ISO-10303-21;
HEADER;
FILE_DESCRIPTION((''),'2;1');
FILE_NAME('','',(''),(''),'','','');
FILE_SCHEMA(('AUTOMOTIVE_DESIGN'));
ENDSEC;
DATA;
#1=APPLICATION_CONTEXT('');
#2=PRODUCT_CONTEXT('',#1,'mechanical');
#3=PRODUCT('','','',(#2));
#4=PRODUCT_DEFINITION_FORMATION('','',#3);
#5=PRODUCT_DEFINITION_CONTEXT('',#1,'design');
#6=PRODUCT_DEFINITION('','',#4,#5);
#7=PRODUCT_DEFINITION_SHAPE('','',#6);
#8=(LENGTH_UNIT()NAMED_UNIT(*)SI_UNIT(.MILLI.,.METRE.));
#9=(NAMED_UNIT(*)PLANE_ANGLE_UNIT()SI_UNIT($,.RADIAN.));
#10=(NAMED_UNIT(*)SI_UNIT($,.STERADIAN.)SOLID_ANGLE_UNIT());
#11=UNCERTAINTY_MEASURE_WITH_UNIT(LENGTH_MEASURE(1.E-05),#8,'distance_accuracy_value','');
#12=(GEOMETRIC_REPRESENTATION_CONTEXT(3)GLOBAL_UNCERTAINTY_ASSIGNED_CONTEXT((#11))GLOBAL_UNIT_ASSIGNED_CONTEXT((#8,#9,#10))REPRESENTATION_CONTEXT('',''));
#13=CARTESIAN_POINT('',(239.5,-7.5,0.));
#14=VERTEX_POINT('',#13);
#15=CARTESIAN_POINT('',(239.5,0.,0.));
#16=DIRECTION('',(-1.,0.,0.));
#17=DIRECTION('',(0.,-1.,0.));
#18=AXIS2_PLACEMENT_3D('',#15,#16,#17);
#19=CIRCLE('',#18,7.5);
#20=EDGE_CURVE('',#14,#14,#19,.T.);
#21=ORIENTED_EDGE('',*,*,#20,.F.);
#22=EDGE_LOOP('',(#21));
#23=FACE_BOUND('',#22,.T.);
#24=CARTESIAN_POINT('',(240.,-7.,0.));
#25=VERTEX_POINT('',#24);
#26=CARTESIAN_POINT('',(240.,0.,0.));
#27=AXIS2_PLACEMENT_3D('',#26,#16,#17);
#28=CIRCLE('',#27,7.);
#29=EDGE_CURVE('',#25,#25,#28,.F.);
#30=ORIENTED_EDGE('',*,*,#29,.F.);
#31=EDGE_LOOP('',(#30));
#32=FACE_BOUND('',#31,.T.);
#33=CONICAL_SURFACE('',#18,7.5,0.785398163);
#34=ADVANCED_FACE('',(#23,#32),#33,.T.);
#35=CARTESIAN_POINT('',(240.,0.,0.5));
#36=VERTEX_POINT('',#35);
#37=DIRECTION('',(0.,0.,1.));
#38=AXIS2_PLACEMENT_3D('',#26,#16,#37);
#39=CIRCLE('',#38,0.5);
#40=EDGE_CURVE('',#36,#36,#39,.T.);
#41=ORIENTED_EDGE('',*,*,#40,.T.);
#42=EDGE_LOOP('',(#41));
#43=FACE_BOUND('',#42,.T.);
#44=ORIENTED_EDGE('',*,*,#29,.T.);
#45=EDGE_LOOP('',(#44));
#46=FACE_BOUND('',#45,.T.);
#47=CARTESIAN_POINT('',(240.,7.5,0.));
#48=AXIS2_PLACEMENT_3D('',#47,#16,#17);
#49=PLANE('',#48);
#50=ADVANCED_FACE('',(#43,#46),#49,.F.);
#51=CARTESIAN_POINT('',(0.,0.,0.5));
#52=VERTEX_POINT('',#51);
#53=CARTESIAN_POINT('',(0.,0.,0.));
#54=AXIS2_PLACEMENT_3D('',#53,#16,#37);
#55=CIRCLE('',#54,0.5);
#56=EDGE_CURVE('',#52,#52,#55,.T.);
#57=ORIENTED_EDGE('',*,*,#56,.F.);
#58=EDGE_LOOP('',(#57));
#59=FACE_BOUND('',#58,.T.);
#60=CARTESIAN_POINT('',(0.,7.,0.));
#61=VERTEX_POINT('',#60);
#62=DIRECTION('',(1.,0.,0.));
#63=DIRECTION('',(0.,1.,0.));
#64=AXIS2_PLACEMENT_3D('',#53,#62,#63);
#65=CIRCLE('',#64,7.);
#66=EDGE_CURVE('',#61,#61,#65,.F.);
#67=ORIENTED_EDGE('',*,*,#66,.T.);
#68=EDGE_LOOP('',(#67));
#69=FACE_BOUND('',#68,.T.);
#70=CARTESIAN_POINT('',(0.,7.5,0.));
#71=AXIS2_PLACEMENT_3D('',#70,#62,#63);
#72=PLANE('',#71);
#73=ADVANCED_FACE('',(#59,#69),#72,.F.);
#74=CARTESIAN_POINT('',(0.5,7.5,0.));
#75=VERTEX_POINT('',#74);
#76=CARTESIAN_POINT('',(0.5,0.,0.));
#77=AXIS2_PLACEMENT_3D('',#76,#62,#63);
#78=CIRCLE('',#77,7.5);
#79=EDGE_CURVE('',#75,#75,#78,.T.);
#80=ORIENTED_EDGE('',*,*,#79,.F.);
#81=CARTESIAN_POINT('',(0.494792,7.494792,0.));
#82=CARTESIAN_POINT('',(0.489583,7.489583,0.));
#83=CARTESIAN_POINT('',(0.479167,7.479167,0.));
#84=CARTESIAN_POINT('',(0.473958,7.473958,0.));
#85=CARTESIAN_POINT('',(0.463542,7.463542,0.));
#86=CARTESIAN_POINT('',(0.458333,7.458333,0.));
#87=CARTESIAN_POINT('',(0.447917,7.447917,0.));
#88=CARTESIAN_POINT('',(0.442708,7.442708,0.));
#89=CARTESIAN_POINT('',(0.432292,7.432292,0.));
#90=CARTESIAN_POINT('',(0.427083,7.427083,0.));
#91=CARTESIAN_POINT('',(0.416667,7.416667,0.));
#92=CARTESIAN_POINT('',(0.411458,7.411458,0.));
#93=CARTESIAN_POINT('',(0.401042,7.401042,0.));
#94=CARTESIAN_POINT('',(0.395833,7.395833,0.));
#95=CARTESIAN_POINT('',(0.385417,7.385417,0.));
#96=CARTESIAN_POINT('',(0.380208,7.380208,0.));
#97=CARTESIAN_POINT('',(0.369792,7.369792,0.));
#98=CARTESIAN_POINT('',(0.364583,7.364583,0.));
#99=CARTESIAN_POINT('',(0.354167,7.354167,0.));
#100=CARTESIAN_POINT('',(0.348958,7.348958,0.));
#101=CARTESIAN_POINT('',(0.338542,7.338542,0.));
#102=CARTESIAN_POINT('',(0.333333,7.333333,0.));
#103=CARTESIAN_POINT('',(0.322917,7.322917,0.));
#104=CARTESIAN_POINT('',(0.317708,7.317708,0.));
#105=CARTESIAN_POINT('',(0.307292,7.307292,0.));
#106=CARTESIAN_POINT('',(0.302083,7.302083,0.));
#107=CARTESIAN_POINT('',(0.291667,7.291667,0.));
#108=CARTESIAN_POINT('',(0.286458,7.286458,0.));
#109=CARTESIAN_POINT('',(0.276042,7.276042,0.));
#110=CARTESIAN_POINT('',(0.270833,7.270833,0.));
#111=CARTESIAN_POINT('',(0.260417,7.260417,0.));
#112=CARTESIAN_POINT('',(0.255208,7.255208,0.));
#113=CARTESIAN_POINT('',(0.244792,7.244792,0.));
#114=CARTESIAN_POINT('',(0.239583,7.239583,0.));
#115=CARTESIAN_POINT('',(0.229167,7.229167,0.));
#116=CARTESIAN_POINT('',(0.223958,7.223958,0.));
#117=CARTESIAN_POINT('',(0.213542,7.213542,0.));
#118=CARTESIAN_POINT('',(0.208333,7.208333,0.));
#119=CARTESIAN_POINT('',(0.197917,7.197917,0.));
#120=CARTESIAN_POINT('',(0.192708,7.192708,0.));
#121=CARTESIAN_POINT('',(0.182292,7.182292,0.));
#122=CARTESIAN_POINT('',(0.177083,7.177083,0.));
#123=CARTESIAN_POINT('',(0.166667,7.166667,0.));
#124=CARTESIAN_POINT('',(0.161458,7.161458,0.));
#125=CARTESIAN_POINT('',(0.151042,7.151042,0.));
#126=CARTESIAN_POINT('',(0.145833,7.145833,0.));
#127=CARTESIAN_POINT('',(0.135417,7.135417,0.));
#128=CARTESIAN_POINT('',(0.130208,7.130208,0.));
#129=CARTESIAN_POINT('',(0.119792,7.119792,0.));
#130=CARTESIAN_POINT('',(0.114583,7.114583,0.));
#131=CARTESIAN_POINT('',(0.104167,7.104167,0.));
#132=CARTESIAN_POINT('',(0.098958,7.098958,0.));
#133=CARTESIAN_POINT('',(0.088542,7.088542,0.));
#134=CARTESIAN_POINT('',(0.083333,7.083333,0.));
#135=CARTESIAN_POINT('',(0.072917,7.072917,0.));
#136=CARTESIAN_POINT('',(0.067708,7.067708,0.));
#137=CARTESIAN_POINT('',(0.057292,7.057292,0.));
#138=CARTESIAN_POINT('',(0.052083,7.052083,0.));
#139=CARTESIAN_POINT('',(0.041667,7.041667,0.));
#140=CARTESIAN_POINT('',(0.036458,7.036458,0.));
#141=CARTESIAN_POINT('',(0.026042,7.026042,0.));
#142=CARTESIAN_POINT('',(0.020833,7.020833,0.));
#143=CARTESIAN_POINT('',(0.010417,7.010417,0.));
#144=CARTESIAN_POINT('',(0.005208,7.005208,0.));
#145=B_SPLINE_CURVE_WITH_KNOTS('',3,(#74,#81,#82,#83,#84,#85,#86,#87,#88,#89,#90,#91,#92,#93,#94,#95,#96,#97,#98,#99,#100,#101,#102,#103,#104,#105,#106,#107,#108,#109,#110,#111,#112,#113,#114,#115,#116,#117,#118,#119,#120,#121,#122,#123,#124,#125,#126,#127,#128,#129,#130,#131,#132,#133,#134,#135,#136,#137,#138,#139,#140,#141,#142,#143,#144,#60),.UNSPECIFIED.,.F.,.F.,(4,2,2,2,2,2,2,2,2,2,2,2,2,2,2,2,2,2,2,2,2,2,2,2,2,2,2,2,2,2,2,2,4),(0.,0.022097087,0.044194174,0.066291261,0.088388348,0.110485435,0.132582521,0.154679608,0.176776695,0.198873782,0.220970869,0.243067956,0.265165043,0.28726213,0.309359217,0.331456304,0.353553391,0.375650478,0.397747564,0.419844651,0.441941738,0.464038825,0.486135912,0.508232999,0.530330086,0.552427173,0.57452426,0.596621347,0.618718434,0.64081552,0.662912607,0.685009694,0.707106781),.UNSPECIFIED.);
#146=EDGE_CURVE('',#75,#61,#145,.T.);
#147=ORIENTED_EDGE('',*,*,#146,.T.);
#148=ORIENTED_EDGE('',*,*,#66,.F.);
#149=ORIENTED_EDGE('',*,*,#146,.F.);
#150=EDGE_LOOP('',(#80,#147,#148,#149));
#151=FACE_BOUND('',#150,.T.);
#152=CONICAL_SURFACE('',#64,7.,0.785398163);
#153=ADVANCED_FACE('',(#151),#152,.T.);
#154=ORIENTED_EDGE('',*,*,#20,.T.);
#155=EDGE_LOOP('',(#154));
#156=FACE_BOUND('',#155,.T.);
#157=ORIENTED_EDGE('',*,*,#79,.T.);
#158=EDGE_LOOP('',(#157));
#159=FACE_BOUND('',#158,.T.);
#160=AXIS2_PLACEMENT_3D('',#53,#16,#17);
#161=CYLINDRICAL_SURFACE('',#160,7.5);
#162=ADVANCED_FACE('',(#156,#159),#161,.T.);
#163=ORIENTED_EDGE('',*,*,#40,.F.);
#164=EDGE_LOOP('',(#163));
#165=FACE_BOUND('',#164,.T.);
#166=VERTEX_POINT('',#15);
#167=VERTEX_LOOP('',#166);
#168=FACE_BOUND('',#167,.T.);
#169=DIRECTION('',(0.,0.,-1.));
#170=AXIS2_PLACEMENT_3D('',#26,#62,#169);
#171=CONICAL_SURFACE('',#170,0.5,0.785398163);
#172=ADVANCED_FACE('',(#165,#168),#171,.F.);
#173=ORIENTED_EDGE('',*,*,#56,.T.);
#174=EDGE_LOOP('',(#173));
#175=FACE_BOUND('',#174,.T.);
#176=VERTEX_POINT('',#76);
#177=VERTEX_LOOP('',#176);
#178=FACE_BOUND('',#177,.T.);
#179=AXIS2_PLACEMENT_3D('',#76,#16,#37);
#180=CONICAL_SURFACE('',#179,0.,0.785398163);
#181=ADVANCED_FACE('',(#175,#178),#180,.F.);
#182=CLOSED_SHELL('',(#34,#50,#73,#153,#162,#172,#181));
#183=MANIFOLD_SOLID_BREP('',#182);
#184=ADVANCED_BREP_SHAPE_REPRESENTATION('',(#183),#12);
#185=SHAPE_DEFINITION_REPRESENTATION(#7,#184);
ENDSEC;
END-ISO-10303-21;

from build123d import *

# Parameters (mm, degrees)
SKETCH1_W     = 240
SKETCH1_H     = 7.5
CHAMFER1_SIZE = 0.5


with BuildPart() as part:
    # Sketch1 → Revolve1 (revolve)
    with BuildSketch(Plane.XY, mode=Mode.PRIVATE) as revolve1_sk:
        with Locations((120, 3.75)):
            Rectangle(SKETCH1_W, SKETCH1_H)
    revolve(revolve1_sk.sketch.rotate(Axis((0, 0, 0), (1, 0, 0)), 180), axis=Axis((0, 0, 0), (1, 0, 0)))

    # Sketch2 → Cut-Revolve1 (revolve, cut)
    with BuildSketch(Plane.XY, mode=Mode.PRIVATE) as cut_revolve1_sk:
        Polygon((0, 0.5), (0, 0), (0.5, 0), align=None)
        Polygon((239.5, 0), (240, 0.5), (240, 0), align=None)
    revolve(cut_revolve1_sk.sketch.rotate(Axis((0, 0, 0), (1, 0, 0)), 90), axis=Axis((0, 0, 0), (1, 0, 0)), mode=Mode.SUBTRACT)

    # Chamfer1
    chamfer1_edges = [part.edges().sort_by_distance(p)[0] for p in [
        (0, 7.5, 0),
        (240, 7.5, 0),
    ]]
    chamfer(chamfer1_edges, length=CHAMFER1_SIZE)


solid = part.part
